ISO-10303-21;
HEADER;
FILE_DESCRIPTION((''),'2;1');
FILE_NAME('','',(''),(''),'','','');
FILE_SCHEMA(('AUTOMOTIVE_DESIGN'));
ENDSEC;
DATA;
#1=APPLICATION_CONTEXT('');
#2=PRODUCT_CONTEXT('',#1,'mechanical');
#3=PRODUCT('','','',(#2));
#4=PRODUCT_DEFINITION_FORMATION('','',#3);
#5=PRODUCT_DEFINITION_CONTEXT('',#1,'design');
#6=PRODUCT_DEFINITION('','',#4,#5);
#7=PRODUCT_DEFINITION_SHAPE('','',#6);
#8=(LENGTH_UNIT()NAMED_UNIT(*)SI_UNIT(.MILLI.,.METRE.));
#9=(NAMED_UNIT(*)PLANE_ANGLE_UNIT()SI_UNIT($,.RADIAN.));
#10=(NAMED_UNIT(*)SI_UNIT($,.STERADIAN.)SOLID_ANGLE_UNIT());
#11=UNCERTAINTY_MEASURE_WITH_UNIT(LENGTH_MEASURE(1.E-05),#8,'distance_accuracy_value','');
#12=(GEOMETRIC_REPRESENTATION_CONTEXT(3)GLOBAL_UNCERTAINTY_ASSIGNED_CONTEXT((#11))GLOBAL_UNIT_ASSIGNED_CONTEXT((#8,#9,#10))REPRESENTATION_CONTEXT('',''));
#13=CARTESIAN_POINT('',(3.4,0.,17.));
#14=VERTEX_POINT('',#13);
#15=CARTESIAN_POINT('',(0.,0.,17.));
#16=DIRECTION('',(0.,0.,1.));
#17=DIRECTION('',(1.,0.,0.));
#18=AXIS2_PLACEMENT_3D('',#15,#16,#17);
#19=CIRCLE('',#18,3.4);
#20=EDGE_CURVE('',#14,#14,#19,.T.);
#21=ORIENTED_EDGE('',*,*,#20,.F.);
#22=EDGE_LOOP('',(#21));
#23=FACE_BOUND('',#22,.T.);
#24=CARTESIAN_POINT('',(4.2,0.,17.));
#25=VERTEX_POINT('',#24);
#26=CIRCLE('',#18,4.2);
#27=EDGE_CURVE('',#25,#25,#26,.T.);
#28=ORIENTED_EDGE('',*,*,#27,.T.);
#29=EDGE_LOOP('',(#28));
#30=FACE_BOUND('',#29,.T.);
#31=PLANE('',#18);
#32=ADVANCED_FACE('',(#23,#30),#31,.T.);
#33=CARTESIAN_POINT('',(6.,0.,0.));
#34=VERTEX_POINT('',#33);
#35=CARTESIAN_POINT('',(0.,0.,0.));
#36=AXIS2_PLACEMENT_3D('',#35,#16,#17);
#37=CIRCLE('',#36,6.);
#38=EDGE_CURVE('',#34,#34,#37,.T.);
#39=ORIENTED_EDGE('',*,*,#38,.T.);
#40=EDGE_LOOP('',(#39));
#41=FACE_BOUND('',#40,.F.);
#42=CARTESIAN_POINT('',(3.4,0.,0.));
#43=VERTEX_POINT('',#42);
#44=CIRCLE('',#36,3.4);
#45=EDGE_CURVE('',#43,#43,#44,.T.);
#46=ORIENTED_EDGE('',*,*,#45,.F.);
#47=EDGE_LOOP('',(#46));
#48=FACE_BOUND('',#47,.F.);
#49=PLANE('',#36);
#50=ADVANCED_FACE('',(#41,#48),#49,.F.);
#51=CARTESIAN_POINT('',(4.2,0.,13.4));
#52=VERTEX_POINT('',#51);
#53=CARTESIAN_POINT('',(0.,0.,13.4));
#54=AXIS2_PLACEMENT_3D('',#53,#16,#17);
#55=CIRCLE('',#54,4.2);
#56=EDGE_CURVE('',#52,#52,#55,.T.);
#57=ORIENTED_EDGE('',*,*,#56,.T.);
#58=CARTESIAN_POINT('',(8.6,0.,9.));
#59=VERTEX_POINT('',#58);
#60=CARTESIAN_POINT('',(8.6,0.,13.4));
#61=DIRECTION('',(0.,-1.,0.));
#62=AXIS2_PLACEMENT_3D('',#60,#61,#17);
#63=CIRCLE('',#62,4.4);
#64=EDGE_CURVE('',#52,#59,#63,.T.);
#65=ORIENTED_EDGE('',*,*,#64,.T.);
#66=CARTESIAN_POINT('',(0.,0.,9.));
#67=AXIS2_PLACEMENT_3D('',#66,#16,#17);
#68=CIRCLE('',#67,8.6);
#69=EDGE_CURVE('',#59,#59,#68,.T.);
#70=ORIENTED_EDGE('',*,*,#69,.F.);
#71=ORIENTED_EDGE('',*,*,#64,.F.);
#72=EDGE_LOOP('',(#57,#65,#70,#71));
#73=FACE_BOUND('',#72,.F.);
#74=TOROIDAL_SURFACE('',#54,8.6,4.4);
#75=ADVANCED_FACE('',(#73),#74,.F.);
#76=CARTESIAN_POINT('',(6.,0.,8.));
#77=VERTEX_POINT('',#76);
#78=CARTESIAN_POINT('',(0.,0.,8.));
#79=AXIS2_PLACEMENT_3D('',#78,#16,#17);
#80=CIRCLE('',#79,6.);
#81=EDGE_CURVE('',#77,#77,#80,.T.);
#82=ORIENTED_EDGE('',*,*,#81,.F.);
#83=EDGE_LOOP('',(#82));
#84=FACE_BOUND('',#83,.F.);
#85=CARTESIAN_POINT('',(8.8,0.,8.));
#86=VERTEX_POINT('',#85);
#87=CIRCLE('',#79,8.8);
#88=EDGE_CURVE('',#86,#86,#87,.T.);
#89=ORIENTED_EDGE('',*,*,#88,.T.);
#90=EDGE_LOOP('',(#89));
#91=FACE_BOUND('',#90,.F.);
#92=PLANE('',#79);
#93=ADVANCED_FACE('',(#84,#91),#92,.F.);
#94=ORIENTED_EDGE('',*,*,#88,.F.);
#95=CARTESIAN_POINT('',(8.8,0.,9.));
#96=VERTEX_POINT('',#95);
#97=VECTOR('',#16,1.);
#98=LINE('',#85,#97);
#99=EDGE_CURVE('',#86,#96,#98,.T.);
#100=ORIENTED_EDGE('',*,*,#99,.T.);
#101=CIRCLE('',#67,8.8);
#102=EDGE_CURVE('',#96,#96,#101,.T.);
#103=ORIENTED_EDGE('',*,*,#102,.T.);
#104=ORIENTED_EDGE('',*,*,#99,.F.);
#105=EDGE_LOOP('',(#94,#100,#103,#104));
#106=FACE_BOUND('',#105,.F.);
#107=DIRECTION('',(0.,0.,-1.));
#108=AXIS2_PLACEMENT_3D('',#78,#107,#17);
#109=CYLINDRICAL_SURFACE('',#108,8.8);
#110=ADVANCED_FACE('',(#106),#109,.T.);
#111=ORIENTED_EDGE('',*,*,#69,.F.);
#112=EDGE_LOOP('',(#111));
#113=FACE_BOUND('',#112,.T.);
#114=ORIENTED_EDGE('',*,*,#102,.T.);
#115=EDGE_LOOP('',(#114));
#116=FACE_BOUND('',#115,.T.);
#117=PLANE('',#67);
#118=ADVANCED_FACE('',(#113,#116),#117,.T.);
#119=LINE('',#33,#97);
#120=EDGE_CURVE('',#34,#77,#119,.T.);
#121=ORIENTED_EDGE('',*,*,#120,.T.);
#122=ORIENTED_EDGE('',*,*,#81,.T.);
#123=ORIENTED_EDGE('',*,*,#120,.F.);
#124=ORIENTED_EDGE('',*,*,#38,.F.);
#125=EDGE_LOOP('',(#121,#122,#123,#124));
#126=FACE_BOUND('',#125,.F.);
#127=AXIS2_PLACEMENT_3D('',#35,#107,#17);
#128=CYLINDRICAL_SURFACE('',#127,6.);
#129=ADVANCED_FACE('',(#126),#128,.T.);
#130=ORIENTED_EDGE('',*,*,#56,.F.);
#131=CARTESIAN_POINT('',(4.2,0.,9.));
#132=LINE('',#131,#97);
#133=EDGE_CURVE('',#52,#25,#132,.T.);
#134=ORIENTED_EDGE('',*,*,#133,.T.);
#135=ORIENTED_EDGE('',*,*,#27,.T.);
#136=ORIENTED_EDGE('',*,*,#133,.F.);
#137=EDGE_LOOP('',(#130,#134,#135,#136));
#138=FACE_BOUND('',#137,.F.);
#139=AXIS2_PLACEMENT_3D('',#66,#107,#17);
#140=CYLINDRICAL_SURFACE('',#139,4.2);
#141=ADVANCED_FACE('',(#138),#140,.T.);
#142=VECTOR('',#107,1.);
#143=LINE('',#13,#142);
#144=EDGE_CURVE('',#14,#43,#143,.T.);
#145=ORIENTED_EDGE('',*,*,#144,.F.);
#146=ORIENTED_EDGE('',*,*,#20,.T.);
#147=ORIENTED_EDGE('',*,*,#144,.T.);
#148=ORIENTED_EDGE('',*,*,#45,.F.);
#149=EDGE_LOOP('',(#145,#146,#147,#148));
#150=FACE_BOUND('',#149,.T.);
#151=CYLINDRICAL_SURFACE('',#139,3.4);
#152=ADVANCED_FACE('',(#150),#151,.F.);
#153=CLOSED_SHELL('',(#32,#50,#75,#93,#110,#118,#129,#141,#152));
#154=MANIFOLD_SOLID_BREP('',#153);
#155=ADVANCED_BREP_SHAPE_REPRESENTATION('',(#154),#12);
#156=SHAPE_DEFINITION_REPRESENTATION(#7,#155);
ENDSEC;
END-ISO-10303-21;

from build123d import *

# Parameters (mm, degrees)
SKETCH_R      = 6
SKETCH_R_2    = 3.4
PAD_DEPTH     = 8
SKETCH001_R   = 8.8
SKETCH001_R_2 = 3.4
PAD001_DEPTH  = 1
SKETCH002_R   = 4.2
SKETCH002_R_2 = 3.4
PAD002_DEPTH  = 8
FILLET_R      = 4.4


with BuildPart() as part:
    # Sketch → Pad (new body)
    with BuildSketch(Plane.XY):
        Circle(SKETCH_R)
        Circle(SKETCH_R_2, mode=Mode.SUBTRACT)
    extrude(amount=PAD_DEPTH)

    # Sketch001 → Pad001 (new body)
    with BuildSketch(Plane.XY.offset(8)):
        Circle(SKETCH001_R)
        Circle(SKETCH001_R_2, mode=Mode.SUBTRACT)
    extrude(amount=PAD001_DEPTH)

    # Sketch002 → Pad002 (new body)
    with BuildSketch(Plane.XY.offset(9)):
        Circle(SKETCH002_R)
        Circle(SKETCH002_R_2, mode=Mode.SUBTRACT)
    extrude(amount=PAD002_DEPTH)

    # Fillet
    fillet_edges = [part.edges().sort_by_distance(p)[0] for p in [
        (-4.2, 0, 9),
    ]]
    fillet(fillet_edges, radius=FILLET_R)


solid = part.part
